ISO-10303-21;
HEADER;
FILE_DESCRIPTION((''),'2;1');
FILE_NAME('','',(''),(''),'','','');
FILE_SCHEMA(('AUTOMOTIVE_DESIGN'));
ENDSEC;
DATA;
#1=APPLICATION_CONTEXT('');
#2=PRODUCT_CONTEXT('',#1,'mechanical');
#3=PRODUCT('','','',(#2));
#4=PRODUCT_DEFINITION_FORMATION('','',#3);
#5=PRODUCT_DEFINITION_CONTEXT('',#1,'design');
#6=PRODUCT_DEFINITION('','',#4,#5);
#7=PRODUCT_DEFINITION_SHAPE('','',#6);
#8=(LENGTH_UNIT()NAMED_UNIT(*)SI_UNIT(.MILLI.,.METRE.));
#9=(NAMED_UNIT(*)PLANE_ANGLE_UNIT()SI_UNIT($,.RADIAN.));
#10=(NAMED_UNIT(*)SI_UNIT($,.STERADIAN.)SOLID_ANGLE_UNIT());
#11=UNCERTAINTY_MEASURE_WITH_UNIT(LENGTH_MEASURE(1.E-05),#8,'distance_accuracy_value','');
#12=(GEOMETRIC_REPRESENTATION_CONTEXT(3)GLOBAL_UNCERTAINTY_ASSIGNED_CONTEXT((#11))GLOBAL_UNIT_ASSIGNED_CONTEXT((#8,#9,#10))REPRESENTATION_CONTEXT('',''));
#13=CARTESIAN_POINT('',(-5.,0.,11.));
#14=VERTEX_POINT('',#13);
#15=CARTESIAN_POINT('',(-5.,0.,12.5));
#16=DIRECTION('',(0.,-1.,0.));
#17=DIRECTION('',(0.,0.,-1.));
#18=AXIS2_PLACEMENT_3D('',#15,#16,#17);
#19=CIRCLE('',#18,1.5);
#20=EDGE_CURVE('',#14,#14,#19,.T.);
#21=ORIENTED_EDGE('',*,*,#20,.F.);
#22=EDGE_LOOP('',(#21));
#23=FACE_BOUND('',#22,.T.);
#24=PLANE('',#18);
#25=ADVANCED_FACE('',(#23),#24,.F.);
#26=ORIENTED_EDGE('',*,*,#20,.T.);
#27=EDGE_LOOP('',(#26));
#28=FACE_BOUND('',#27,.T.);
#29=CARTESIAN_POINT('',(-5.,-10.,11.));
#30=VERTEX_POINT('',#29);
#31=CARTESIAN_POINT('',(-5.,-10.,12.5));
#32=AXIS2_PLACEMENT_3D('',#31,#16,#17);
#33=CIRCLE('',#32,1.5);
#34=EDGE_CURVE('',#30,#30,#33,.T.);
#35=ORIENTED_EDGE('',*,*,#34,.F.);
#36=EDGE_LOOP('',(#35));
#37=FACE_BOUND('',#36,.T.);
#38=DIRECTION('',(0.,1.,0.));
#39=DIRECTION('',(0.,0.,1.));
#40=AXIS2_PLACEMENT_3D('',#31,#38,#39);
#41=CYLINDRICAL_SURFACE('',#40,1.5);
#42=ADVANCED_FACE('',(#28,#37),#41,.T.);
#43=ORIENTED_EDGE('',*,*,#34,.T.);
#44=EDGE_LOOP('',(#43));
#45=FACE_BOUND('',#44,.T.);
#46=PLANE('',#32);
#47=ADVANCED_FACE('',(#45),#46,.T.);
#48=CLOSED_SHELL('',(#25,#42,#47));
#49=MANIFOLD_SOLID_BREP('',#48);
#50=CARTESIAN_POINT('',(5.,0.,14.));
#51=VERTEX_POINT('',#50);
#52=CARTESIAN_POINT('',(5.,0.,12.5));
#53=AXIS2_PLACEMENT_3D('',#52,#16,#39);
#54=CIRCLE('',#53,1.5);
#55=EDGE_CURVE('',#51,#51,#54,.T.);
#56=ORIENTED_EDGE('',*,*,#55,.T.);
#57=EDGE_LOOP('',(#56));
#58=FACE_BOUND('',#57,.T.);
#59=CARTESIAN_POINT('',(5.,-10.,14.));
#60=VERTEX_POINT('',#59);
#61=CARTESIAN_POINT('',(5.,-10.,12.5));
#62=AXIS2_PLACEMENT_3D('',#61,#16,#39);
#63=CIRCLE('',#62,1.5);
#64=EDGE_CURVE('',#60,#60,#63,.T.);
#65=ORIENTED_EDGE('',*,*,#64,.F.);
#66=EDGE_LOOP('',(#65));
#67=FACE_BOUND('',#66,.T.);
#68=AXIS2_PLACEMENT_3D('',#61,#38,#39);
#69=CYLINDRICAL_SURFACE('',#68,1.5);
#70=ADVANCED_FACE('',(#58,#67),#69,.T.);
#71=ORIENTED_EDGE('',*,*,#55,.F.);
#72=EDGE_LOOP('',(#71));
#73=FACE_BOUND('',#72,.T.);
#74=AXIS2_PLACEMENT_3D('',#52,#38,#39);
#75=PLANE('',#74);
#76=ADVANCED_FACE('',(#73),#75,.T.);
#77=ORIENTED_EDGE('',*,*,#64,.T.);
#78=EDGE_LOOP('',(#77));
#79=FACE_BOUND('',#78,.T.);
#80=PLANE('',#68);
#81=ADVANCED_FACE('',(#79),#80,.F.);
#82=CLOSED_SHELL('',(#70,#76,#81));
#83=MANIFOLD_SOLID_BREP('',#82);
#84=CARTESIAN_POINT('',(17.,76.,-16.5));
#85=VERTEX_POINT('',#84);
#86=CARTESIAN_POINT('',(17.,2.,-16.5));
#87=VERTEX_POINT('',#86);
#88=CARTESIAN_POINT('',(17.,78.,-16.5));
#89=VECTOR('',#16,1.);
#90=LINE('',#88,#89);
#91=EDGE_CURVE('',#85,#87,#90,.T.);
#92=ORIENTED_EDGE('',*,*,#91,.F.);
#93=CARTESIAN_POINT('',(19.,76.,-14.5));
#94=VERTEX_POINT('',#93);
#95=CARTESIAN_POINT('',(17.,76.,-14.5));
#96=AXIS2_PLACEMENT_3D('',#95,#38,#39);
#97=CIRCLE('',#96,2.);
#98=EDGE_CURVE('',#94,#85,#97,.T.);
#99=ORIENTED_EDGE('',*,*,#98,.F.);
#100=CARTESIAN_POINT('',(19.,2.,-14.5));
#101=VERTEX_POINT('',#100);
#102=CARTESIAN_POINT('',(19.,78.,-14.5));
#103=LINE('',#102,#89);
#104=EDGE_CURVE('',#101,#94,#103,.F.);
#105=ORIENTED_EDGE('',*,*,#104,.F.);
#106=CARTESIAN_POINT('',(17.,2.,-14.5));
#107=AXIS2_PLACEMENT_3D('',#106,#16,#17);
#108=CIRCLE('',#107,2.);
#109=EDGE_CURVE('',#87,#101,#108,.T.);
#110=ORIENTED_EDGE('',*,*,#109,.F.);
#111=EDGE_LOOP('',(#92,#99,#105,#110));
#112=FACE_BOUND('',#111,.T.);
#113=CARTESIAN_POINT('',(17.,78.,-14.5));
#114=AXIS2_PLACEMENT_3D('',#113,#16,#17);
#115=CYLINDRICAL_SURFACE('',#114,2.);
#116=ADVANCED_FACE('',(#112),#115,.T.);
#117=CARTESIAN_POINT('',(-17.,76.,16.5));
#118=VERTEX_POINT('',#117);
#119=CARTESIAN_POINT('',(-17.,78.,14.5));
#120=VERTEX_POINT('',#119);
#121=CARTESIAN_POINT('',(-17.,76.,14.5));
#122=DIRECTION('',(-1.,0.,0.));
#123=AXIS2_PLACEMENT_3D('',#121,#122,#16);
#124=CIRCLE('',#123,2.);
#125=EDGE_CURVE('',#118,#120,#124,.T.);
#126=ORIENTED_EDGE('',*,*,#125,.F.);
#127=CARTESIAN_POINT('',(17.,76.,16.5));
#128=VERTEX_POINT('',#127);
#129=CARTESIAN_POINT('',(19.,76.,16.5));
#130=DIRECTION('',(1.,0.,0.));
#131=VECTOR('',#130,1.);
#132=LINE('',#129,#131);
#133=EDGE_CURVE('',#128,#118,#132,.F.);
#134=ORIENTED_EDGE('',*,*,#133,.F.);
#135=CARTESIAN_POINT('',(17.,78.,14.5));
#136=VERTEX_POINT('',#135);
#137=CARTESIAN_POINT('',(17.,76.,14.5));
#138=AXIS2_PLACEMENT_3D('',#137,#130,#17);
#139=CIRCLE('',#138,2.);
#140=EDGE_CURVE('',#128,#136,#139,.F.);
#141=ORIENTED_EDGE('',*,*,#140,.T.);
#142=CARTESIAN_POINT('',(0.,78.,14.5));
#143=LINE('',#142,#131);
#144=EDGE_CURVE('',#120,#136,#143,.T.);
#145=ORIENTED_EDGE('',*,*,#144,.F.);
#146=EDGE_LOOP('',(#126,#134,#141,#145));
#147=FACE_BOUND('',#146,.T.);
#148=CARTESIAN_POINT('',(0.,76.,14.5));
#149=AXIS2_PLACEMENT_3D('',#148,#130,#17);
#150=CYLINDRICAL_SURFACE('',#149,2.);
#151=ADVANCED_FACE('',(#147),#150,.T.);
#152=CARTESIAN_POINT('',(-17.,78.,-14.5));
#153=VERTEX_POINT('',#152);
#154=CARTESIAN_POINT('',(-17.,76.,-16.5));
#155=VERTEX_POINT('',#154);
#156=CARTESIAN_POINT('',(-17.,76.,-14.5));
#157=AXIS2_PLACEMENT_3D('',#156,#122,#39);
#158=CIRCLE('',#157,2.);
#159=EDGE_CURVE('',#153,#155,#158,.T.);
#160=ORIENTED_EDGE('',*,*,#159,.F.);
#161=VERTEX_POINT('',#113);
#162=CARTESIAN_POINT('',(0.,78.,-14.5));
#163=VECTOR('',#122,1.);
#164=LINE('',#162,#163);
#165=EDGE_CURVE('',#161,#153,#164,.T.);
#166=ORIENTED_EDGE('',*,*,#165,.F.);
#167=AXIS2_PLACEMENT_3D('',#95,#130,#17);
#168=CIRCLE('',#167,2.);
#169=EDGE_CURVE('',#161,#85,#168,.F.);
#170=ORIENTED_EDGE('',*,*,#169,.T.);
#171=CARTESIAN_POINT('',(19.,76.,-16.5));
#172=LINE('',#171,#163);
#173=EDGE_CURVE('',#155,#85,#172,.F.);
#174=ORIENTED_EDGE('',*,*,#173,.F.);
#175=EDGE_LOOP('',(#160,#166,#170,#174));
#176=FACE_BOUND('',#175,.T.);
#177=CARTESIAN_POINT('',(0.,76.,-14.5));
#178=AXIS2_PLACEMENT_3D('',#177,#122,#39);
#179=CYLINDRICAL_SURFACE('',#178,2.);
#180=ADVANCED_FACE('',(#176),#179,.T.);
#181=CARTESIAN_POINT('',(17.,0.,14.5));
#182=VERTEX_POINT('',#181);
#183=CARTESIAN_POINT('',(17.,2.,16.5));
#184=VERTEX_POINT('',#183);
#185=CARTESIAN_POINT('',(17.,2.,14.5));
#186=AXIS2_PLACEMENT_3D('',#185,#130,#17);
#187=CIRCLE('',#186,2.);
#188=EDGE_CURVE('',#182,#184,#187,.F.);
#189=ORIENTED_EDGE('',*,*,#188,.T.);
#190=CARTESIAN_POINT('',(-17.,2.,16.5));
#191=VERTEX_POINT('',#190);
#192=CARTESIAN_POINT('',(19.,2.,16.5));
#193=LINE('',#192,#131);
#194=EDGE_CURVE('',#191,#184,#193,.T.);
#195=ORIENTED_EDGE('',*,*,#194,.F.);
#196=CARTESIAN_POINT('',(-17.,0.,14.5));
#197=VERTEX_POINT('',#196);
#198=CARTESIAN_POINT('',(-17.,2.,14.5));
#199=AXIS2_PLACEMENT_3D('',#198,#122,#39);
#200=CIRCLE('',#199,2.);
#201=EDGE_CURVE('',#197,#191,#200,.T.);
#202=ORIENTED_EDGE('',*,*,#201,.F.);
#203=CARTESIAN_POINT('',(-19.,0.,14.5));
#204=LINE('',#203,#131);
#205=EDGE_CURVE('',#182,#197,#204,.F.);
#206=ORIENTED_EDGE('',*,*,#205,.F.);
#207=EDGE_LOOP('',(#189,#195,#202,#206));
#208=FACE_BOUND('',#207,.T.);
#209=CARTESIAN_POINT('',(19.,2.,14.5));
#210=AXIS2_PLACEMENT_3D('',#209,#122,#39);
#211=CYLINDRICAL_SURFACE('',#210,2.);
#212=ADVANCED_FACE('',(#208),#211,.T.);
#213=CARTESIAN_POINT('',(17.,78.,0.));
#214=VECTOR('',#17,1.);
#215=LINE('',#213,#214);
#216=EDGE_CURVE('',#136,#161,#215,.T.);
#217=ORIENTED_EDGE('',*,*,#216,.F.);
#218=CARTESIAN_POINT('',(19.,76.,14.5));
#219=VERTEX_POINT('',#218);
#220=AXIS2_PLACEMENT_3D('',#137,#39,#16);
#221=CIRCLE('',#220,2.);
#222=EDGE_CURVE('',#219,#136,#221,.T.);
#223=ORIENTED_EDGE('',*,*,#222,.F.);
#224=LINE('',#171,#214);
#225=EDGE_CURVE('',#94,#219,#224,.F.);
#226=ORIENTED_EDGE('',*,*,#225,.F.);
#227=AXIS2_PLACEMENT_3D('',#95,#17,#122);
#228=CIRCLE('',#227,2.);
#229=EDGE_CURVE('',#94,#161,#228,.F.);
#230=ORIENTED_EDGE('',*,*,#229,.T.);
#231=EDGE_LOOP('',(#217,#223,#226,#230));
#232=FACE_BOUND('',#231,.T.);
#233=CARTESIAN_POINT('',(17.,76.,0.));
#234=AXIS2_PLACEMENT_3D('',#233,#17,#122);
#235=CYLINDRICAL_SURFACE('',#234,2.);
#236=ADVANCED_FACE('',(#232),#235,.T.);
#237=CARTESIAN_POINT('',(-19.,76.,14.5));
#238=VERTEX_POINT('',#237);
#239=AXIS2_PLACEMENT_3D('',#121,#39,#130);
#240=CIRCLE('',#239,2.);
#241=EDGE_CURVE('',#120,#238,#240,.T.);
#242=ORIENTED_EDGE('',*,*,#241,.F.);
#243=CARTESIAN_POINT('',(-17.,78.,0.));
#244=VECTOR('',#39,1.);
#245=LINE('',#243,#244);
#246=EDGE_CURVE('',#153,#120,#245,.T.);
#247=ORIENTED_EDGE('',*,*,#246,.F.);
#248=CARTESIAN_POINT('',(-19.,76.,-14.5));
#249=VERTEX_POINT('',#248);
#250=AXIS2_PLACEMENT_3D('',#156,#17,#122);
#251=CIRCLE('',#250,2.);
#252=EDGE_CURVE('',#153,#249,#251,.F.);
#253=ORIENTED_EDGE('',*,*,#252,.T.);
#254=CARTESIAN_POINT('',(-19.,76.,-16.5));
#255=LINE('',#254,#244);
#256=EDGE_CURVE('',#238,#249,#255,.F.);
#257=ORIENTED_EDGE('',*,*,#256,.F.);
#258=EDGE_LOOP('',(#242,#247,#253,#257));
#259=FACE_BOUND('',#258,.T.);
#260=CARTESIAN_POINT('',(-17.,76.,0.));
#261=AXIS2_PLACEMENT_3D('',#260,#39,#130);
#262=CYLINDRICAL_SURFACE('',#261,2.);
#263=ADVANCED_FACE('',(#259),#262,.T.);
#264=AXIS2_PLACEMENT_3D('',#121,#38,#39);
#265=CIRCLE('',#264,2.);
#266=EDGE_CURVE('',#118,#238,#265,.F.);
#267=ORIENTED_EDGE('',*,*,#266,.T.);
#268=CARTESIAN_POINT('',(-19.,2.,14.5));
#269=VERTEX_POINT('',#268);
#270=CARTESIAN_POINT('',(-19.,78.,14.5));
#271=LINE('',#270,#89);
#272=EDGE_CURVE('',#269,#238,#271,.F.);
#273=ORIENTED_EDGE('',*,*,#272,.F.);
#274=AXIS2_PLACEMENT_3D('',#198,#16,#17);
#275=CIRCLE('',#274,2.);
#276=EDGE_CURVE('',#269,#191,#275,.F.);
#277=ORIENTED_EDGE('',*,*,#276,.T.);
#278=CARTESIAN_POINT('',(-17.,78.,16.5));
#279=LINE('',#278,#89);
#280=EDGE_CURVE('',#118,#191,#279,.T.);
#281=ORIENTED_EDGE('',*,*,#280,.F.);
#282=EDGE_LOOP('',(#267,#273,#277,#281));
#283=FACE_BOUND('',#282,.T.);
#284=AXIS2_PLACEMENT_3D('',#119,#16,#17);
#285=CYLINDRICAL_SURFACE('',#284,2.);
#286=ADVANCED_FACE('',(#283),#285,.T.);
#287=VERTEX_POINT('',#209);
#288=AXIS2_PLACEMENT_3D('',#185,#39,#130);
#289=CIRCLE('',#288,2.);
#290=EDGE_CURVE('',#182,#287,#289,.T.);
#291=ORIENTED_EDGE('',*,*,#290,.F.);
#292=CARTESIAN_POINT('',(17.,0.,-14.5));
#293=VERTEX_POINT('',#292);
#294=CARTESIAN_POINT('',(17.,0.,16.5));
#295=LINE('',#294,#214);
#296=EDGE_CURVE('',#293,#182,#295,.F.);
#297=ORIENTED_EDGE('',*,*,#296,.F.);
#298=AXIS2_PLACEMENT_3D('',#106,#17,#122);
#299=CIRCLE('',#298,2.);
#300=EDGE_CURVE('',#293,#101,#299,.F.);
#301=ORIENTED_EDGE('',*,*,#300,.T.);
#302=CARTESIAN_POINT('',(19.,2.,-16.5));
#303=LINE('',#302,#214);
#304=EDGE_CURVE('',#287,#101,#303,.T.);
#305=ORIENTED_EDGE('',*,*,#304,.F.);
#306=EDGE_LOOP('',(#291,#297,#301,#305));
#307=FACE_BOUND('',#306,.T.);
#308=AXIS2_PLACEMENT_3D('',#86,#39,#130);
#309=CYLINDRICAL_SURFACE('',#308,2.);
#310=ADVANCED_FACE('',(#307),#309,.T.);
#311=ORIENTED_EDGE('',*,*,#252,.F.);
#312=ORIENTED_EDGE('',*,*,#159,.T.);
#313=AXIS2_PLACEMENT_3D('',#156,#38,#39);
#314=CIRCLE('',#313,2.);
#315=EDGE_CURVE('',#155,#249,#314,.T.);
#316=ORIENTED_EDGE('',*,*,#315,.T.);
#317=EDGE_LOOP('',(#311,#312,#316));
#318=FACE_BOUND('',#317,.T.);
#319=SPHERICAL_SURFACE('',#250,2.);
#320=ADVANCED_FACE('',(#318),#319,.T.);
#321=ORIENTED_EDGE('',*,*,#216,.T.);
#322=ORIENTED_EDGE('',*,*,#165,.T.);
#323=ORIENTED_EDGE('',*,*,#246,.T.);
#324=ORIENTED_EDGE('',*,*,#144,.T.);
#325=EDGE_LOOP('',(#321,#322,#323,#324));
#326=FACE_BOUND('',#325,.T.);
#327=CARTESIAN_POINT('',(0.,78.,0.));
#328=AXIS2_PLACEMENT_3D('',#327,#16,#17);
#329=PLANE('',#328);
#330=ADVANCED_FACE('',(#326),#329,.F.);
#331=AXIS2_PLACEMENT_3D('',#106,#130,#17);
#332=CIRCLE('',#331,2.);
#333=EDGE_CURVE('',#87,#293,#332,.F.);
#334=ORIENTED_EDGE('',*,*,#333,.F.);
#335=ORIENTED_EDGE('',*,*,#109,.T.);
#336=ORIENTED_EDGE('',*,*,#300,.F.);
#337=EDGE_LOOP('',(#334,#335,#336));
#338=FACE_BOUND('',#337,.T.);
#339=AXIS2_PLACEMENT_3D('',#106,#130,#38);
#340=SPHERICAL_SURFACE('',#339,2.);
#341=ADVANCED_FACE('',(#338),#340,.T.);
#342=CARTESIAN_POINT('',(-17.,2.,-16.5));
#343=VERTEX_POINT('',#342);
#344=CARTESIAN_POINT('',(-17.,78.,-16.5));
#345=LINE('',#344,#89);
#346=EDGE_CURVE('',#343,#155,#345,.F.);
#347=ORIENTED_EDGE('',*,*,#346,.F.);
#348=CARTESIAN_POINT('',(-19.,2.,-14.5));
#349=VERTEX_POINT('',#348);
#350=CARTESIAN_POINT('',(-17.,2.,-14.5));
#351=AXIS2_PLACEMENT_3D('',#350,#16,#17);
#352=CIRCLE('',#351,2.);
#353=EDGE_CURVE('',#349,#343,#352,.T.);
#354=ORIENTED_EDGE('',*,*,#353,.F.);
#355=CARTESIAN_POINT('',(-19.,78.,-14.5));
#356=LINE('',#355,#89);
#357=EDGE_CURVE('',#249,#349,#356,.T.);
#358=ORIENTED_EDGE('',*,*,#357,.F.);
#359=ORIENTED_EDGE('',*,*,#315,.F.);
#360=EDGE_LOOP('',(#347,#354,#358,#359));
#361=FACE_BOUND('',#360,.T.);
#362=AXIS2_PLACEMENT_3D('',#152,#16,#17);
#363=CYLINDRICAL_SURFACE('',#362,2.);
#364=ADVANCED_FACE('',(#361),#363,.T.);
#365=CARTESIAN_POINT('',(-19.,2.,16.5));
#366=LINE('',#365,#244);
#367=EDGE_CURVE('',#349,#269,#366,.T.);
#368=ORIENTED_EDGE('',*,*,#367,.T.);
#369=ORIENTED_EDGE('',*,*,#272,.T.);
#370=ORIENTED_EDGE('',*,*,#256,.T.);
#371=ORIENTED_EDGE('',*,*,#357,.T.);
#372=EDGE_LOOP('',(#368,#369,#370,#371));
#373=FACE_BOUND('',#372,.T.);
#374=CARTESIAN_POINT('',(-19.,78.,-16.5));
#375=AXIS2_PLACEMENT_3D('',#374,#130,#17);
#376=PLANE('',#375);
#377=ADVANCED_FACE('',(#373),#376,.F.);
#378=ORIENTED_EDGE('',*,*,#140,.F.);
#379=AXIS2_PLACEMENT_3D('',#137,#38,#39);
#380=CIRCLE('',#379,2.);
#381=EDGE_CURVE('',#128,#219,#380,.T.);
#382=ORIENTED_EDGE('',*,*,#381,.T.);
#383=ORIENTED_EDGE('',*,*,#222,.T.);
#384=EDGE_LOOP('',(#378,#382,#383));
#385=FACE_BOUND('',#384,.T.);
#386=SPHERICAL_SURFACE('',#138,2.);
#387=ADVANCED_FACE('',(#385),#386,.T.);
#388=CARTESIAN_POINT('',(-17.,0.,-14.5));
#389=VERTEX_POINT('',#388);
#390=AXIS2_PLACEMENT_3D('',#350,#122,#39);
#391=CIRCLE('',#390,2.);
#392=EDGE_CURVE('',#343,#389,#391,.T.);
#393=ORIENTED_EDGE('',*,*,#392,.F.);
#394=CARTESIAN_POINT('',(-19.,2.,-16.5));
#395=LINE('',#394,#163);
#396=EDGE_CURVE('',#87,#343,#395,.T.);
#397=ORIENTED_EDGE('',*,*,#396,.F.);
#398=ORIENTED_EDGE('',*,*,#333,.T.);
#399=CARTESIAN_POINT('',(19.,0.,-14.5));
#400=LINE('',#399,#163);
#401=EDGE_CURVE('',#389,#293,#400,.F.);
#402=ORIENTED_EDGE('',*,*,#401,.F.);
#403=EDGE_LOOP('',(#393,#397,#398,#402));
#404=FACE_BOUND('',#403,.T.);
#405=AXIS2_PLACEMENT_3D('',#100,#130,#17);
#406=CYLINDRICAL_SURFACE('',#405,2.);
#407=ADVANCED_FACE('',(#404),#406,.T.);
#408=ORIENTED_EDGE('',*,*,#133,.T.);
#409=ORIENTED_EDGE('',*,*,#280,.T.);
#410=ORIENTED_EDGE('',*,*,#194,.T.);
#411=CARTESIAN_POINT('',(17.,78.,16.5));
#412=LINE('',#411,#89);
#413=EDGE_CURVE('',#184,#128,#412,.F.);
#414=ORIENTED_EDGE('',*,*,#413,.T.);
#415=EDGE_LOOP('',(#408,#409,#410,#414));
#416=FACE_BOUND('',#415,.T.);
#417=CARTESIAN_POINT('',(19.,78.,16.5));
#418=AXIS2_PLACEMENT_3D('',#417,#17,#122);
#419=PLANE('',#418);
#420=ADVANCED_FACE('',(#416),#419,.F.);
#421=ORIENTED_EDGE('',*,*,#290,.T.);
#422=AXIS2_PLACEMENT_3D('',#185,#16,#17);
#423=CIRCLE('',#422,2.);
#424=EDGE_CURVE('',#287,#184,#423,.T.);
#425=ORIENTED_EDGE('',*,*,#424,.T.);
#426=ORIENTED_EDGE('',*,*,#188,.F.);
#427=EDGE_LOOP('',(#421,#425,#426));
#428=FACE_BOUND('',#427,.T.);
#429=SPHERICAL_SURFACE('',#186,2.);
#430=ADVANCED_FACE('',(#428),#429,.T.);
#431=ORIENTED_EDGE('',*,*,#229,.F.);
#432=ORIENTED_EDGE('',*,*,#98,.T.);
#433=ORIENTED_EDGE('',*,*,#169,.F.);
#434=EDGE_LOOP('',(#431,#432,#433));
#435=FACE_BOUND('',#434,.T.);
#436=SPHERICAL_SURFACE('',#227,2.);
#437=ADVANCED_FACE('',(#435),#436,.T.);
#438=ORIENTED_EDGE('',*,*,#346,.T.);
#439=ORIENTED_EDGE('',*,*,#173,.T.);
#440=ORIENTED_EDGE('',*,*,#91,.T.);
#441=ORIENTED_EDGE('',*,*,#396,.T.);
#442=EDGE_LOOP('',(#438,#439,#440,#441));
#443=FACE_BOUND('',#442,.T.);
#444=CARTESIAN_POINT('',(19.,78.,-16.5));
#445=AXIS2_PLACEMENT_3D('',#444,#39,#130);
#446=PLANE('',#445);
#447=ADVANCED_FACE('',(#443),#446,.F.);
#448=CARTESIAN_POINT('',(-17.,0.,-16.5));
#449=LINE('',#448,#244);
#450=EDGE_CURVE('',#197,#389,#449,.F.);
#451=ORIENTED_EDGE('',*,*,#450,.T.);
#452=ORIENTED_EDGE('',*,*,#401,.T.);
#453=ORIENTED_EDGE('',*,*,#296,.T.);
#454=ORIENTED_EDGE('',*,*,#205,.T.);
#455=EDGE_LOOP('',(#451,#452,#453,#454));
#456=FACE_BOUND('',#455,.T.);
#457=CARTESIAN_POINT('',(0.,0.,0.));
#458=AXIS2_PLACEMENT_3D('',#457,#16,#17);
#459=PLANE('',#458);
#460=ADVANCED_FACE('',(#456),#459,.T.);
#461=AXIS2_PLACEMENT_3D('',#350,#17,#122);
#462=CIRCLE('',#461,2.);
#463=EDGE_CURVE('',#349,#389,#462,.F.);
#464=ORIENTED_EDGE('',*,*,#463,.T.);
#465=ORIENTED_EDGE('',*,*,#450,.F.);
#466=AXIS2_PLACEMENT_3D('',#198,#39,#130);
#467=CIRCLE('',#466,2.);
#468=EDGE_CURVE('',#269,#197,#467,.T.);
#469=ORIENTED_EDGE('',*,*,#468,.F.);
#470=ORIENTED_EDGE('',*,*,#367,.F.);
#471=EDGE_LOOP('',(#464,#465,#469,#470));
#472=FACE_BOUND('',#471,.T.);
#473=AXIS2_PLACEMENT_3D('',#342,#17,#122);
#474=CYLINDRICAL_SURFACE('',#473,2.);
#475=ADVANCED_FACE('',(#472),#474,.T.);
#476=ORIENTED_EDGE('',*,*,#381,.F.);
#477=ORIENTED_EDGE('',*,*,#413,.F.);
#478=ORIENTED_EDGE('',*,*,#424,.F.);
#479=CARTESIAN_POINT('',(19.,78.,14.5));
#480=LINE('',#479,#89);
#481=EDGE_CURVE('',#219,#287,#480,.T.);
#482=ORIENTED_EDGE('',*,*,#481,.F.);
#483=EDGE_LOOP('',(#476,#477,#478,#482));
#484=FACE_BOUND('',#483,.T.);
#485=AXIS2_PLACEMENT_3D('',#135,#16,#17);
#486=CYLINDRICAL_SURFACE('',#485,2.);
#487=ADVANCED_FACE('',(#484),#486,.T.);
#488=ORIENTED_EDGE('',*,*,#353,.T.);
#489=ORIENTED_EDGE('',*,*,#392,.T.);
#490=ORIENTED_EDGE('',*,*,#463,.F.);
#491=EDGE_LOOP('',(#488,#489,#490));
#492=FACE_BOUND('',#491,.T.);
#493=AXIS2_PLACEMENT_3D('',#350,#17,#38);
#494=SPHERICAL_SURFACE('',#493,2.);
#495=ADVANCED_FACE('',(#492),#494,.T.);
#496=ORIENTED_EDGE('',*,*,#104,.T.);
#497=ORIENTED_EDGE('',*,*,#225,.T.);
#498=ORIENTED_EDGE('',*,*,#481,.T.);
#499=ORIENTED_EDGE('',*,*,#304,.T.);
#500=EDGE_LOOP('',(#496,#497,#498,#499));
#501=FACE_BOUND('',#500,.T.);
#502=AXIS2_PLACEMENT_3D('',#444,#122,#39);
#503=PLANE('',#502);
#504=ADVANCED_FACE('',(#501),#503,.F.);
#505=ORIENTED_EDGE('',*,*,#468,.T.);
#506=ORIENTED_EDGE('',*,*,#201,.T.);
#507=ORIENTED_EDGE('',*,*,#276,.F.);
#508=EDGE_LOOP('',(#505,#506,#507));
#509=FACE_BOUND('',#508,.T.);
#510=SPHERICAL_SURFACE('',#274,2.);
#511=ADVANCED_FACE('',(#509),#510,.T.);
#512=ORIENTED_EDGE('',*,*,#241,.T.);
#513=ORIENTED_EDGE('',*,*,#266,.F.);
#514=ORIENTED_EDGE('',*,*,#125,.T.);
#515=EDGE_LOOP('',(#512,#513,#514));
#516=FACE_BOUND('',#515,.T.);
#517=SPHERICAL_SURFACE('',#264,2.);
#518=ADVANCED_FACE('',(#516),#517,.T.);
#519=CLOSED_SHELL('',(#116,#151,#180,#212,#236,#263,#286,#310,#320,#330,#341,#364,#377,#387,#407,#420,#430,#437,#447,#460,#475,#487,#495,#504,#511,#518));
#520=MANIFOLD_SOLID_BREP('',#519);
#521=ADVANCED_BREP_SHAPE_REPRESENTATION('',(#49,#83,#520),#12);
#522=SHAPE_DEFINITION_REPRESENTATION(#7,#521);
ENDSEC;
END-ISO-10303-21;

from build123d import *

# Parameters (mm, degrees)
SKETCH_1_W        = 38
SKETCH_1_H        = 33
EXTRUDE_1_DEPTH   = 78
FILLET_1_R        = 2
SKETCH_2_R        = 1.5
EXTRUDE_2_DEPTH   = 10
EXTRUDE_2_2_DEPTH = 10


with BuildPart() as part:
    # 草图1 → 凸台-拉伸1 (new body)
    with BuildSketch(Plane(origin=(0, 0, 0), x_dir=(1, 0, 0), z_dir=(0, 1, 0))):
        Rectangle(SKETCH_1_W, SKETCH_1_H)
    extrude(amount=EXTRUDE_1_DEPTH)

    # 圆角1
    fillet_1_edges = [part.edges().sort_by_distance(p)[0] for p in [
        (19, 78, 0),
        (0, 78, -16.5),
        (-19, 78, 0),
        (0, 0, -16.5),
        (19, 0, 0),
        (0, 0, 16.5),
        (-19, 0, 0),
        (-19, 39, -16.5),
        (19, 39, -16.5),
        (19, 39, 16.5),
        (-19, 39, 16.5),
        (0, 78, 16.5),
    ]]
    fillet(fillet_1_edges, radius=FILLET_1_R)


with BuildPart() as body_2:
    # 草图2 → 凸台-拉伸2 (new body)
    with BuildSketch(Plane.XZ):
        with Locations(Location((-5, 12.5, 0), (0, 0, 270))):
            Circle(SKETCH_2_R)
    extrude(amount=EXTRUDE_2_DEPTH)


with BuildPart() as body_3:
    # 草图2 → Extrude 2 2 (new body)
    with BuildSketch(Plane.XZ):
        with Locations(Location((5, 12.5, 0), (0, 0, 90))):
            Circle(SKETCH_2_R)
    extrude(amount=EXTRUDE_2_2_DEPTH)


solid = Compound([part.part, body_2.part, body_3.part])
